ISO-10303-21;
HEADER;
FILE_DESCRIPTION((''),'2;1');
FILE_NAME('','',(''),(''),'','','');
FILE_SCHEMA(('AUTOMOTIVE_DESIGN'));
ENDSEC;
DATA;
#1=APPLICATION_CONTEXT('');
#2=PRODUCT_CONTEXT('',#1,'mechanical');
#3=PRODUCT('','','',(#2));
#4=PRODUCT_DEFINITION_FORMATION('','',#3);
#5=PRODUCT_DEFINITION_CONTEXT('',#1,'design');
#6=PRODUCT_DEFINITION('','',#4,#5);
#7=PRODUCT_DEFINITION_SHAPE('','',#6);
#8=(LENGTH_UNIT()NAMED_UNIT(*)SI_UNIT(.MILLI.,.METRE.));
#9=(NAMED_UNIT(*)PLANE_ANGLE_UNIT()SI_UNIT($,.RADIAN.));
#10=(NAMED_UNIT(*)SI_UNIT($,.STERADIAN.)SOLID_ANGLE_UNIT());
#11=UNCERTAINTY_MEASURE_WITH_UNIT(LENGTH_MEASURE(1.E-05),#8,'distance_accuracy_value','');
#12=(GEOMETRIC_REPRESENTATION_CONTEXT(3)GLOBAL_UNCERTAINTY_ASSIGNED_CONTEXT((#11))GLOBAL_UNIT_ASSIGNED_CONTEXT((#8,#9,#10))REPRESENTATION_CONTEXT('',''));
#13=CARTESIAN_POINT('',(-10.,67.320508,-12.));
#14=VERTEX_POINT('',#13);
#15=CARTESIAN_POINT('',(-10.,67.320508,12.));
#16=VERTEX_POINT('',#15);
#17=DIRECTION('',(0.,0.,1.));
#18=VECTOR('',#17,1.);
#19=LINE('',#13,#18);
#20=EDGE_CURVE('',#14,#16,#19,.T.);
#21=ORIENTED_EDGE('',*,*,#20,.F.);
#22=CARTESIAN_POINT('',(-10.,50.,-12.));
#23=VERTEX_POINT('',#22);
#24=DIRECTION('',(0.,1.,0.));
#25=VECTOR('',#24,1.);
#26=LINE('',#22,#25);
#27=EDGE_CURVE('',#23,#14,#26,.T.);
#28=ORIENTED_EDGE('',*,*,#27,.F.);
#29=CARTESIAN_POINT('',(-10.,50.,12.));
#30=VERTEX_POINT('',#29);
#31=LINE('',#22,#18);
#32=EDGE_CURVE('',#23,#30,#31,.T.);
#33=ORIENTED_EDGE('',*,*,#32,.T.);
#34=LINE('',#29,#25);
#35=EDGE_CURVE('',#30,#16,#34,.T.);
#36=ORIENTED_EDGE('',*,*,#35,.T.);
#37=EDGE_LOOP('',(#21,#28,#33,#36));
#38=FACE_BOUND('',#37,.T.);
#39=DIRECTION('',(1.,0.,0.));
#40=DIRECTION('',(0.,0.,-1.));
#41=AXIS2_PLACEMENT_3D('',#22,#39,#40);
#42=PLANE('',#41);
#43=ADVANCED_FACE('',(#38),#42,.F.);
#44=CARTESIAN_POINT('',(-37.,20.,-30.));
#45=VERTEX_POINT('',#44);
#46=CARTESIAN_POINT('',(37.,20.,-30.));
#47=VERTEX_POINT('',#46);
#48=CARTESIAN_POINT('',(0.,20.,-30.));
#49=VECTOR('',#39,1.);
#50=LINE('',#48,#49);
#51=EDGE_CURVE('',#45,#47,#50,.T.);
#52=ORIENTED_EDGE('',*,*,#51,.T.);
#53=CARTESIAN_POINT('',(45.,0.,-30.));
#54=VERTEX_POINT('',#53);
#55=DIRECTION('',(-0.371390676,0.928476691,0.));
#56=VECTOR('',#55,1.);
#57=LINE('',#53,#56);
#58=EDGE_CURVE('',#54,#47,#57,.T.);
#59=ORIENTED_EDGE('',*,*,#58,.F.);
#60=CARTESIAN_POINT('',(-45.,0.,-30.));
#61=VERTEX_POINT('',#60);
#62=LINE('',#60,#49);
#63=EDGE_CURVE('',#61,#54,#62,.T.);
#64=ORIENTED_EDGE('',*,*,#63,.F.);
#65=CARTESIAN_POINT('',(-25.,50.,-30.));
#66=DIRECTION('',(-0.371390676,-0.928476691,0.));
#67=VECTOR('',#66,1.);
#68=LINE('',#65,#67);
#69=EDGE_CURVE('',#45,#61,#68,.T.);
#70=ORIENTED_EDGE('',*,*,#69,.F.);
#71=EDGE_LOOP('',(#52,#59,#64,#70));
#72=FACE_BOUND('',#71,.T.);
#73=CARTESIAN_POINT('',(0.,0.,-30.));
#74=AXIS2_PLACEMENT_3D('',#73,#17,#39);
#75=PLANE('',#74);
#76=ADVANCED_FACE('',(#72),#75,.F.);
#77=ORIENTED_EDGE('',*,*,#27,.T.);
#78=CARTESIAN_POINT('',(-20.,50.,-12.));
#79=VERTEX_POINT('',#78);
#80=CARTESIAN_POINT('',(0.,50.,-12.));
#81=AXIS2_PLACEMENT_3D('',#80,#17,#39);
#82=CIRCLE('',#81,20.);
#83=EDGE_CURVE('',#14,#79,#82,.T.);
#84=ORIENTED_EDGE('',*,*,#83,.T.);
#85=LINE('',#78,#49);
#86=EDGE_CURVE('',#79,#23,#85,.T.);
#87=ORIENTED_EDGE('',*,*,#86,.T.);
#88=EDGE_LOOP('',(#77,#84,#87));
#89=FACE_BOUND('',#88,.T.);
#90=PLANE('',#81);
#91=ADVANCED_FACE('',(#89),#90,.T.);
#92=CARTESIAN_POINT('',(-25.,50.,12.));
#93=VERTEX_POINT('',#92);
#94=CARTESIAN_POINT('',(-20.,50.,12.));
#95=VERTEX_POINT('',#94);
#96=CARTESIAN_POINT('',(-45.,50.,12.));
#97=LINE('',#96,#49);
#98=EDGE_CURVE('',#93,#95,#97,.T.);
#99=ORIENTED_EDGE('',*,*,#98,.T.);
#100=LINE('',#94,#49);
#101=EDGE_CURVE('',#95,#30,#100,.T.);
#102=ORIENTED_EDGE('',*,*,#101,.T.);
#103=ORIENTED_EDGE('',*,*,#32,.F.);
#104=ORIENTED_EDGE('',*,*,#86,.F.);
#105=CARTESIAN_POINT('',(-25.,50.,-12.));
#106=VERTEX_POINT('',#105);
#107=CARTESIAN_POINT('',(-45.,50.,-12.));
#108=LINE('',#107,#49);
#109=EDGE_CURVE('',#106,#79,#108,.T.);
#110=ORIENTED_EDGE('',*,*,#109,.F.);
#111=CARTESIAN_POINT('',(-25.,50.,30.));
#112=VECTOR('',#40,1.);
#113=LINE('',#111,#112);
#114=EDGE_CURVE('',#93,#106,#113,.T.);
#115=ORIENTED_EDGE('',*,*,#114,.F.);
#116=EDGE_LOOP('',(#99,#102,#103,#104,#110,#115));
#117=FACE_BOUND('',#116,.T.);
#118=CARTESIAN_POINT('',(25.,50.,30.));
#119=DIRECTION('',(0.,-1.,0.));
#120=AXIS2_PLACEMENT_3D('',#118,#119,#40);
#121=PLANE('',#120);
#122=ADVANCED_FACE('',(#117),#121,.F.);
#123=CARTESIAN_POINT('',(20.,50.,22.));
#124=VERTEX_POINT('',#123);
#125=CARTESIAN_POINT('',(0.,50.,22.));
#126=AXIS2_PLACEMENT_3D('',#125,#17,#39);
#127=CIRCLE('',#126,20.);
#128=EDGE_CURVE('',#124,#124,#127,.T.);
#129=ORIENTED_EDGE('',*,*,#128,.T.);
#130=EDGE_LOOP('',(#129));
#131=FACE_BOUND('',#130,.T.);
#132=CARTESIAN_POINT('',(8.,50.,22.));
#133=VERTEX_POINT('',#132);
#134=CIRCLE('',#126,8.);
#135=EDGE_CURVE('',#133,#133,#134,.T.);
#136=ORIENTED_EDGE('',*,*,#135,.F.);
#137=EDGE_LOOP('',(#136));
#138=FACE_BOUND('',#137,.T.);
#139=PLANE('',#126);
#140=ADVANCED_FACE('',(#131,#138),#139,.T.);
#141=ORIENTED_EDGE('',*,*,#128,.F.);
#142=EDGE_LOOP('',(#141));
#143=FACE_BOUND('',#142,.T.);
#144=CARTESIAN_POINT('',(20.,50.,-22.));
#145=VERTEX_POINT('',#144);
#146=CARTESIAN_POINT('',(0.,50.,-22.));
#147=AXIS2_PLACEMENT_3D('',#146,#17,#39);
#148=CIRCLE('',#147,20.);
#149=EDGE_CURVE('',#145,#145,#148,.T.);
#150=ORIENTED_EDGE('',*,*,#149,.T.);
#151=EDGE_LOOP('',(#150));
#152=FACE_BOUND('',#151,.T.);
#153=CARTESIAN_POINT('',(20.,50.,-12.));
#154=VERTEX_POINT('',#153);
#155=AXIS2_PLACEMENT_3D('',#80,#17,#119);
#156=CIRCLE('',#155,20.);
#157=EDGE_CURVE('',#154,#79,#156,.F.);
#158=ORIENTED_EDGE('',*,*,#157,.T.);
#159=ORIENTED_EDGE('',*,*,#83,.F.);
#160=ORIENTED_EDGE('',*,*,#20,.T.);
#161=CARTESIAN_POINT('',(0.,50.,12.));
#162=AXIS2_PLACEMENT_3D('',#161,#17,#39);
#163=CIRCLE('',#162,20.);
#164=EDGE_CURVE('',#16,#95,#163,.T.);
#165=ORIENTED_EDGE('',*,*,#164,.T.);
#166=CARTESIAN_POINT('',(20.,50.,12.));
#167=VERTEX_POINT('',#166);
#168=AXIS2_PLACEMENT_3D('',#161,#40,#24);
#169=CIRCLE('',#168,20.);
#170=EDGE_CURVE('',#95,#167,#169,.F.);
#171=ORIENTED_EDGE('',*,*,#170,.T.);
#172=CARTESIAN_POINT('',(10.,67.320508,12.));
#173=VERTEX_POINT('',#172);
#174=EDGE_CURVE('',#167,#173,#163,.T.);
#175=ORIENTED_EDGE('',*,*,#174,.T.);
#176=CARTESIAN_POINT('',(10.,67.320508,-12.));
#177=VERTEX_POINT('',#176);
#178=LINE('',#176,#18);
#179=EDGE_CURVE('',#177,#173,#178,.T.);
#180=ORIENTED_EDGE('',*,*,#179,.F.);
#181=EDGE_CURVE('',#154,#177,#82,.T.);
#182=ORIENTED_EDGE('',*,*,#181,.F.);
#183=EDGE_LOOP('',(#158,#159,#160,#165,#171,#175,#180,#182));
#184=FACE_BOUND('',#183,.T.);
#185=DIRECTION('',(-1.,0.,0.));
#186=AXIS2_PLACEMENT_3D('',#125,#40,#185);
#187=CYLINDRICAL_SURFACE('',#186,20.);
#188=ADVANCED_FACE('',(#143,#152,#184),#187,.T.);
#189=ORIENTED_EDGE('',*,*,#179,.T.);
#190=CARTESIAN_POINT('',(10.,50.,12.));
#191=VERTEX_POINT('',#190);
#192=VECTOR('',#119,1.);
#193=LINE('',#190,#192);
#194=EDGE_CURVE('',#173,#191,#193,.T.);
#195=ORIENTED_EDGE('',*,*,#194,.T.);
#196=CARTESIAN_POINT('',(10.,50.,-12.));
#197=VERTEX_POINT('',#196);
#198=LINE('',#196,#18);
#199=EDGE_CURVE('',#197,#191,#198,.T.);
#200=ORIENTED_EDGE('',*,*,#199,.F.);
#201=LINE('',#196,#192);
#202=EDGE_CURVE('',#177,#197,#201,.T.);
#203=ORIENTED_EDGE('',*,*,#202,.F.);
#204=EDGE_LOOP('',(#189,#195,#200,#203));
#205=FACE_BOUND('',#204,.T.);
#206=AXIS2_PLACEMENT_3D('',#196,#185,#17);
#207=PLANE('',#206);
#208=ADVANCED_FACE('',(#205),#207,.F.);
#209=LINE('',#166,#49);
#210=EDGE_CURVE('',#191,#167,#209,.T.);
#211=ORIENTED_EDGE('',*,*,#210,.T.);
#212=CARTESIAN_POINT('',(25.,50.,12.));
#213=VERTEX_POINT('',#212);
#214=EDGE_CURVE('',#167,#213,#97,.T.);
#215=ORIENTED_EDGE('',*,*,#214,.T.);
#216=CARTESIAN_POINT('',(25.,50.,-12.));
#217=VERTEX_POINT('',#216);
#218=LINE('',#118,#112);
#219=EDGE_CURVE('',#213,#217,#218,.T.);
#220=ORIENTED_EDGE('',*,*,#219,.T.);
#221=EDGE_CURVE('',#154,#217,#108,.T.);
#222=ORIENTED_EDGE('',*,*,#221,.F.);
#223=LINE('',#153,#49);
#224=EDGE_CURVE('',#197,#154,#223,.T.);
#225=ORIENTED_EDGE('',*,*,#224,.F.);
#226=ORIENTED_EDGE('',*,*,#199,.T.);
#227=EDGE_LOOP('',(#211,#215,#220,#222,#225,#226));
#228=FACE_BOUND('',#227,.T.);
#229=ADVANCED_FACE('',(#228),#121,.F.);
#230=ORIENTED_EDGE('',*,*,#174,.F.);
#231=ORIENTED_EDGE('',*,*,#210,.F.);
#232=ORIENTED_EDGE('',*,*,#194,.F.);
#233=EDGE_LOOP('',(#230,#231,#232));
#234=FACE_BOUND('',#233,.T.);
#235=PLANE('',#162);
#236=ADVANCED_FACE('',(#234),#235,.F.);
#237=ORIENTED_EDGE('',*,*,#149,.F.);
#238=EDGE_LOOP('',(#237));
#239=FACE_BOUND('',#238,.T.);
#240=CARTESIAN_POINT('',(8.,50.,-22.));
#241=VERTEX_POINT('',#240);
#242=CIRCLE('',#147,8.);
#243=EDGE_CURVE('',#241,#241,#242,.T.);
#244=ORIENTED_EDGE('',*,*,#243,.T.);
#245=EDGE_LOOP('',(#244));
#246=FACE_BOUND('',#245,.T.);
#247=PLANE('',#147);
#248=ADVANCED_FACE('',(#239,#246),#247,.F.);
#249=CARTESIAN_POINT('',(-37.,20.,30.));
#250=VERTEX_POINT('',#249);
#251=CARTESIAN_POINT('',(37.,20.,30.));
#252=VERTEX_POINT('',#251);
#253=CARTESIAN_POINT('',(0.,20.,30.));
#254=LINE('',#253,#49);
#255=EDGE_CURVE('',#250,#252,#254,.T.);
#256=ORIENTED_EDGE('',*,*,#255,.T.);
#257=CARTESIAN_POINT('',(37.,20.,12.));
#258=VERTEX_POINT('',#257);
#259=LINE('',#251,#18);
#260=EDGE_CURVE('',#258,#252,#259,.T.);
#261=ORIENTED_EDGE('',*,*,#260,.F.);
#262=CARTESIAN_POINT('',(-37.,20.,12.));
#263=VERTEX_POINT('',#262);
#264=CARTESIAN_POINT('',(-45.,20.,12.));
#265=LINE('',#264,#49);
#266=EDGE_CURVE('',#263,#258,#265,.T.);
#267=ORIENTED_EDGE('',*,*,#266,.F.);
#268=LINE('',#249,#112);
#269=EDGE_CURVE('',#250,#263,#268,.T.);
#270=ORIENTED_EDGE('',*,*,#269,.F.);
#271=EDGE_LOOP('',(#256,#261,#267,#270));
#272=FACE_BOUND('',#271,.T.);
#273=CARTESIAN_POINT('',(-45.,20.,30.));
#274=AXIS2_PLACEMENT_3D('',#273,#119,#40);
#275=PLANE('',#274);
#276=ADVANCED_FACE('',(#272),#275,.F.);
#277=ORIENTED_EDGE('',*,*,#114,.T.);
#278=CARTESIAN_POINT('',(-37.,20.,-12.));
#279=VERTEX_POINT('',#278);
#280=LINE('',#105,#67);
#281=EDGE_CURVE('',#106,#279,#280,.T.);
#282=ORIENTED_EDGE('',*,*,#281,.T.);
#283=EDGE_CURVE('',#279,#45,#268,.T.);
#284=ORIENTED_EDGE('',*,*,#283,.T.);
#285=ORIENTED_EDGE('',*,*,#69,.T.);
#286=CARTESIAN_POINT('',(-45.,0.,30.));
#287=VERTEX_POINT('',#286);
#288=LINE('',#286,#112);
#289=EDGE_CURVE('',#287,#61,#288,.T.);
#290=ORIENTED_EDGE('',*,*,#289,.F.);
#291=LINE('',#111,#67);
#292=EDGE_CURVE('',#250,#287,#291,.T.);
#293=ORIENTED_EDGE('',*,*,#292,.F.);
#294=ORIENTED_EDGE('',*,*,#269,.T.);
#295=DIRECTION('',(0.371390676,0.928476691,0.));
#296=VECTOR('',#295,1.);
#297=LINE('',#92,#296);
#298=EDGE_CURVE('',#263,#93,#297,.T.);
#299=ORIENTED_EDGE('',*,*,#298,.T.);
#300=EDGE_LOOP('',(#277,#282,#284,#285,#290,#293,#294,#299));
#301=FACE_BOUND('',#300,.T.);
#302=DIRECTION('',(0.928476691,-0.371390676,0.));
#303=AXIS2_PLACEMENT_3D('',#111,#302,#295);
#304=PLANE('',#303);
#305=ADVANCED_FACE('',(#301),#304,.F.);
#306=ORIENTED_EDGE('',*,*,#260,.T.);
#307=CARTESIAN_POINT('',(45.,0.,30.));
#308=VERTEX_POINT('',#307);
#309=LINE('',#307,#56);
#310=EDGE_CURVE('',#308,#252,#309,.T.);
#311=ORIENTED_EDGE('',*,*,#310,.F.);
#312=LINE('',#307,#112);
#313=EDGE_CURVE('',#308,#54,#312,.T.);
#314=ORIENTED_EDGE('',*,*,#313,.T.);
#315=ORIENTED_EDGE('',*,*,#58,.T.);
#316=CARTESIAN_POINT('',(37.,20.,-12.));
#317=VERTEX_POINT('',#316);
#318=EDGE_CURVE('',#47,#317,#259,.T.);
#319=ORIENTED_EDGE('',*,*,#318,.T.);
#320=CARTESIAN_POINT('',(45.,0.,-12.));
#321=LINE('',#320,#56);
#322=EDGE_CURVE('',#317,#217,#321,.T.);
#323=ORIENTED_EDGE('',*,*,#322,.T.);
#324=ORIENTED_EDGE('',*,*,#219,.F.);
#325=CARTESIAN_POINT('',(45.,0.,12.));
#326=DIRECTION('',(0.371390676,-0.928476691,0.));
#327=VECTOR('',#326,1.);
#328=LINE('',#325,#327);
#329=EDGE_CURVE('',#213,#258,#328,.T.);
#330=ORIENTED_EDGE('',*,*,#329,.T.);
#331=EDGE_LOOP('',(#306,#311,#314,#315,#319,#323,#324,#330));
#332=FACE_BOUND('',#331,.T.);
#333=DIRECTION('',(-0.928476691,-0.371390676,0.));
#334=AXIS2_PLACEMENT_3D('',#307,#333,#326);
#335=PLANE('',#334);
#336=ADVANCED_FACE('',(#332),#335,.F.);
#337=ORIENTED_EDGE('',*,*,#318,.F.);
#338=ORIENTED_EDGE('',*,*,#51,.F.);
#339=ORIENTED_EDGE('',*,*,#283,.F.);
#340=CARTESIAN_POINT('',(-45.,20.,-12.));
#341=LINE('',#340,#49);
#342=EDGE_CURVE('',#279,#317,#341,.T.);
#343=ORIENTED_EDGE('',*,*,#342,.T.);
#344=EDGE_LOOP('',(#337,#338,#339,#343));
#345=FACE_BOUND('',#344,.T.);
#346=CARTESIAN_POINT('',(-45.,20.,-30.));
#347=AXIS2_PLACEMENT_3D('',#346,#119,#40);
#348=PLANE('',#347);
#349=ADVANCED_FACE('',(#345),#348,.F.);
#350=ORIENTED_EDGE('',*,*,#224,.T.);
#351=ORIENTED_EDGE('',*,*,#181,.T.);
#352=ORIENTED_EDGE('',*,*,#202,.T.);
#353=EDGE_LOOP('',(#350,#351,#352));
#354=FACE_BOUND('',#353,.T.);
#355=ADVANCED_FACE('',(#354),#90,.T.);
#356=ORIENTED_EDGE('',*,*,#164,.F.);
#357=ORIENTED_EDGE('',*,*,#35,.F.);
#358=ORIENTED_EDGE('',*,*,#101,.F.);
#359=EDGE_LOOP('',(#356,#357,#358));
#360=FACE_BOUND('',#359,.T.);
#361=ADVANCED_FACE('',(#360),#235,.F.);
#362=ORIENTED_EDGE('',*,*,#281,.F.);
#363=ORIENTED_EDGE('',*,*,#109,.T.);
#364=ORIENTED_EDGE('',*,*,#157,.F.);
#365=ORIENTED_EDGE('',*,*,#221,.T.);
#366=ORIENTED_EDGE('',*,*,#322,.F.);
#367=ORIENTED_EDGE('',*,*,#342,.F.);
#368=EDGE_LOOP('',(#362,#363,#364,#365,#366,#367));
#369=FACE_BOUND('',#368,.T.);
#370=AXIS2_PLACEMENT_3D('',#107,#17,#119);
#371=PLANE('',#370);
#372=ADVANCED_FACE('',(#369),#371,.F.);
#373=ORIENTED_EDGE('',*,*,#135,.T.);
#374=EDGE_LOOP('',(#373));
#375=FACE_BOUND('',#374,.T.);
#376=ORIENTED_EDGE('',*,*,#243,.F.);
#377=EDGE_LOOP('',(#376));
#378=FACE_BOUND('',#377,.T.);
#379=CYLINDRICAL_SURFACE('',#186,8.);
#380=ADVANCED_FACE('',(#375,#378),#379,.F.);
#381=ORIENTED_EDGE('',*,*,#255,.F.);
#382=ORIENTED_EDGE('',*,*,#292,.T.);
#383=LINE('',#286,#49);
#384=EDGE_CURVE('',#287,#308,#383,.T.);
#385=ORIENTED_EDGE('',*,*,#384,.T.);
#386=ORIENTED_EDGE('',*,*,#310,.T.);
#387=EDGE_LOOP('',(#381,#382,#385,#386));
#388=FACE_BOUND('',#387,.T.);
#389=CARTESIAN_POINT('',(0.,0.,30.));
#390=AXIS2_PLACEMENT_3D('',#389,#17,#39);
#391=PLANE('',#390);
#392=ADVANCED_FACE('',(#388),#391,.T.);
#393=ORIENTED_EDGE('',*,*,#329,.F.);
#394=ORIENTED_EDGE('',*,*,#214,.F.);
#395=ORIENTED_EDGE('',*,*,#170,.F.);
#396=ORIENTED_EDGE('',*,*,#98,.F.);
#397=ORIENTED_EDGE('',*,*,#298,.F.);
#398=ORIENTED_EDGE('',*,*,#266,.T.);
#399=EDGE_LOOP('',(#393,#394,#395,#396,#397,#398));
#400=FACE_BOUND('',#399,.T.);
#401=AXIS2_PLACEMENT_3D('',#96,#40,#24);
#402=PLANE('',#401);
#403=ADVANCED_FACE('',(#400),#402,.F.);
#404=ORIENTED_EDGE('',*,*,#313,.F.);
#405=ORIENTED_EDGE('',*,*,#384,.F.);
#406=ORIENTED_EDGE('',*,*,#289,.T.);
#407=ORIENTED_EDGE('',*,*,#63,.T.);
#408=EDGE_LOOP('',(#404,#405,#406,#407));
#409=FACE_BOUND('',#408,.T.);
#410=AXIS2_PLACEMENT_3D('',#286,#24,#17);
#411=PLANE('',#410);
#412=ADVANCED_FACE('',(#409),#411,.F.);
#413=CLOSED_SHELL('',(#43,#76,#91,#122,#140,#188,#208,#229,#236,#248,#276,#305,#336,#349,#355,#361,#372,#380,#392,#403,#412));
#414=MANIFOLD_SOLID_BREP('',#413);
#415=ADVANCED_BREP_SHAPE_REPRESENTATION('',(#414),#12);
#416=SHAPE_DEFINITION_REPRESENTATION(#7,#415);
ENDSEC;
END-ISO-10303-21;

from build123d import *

# Parameters (mm, degrees)
BOSS_EXTRUDE1_DEPTH     = 30
CUT_EXTRUDE1_DEPTH      = 74.654599313
CUT_EXTRUDE1_DEPTH_BACK = 74.654599313
SKETCH3_W               = 18
SKETCH3_H               = 30
SKETCH4_R               = 20
SKETCH4_R_2             = 8
BOSS_EXTRUDE2_DEPTH     = 22
CUT_EXTRUDE2_DEPTH      = 12
CUT_EXTRUDE3_DEPTH      = 94.214805691
CUT_EXTRUDE3_DEPTH_BACK = 94.214805691
SKETCH6_R               = 8


with BuildPart() as part:
    # Sketch1 → Boss-Extrude1 (new, symmetric)
    with BuildSketch(Plane.XY):
        Polygon((-45, 0), (45, 0), (25, 50), (-25, 50), align=None)
    extrude(amount=BOSS_EXTRUDE1_DEPTH, both=True)

    # Sketch3 → Cut-Extrude1 (cut, two sides: drawn at the far end of the back side and taken through both)
    with BuildSketch(Plane(origin=(0, 0, 0), x_dir=(0, 0, -1), z_dir=(1, 0, 0)).offset(-CUT_EXTRUDE1_DEPTH_BACK)):
        with Locations((21, 35)):
            Rectangle(SKETCH3_W, SKETCH3_H)
        with Locations((-21, 35)):
            Rectangle(SKETCH3_W, SKETCH3_H)
    extrude(amount=CUT_EXTRUDE1_DEPTH + CUT_EXTRUDE1_DEPTH_BACK, mode=Mode.SUBTRACT)

    # Sketch4 → Boss-Extrude2 (add, symmetric)
    with BuildSketch(Plane.XY):
        with Locations((0, 50)):
            Circle(SKETCH4_R)
        with Locations((0, 50)):
            Circle(SKETCH4_R_2, mode=Mode.SUBTRACT)
    extrude(amount=BOSS_EXTRUDE2_DEPTH, both=True)

    # Sketch5 → Cut-Extrude2 (cut, symmetric)
    with BuildSketch(Plane.XY):
        with BuildLine():
            Line((-20, 50), (-10, 50))
            Line((-10, 50), (-10, 67.320508076))
            ThreePointArc((-10, 67.320508076), (-17.320508076, 60), (-20, 50))
        make_face()
        with BuildLine():
            Line((10, 50), (10, 67.320508076))
            ThreePointArc((10, 67.320508076), (17.320508076, 60), (20, 50))
            Line((20, 50), (10, 50))
        make_face()
    extrude(amount=CUT_EXTRUDE2_DEPTH, both=True, mode=Mode.SUBTRACT)

    # Sketch6 → Cut-Extrude3 (cut, two sides: drawn at the far end of the back side and taken through both)
    with BuildSketch(Plane.XY.offset(12).offset(-CUT_EXTRUDE3_DEPTH_BACK)):
        with Locations((0, 50)):
            Circle(SKETCH6_R)
    extrude(amount=CUT_EXTRUDE3_DEPTH + CUT_EXTRUDE3_DEPTH_BACK, mode=Mode.SUBTRACT)


solid = part.part
